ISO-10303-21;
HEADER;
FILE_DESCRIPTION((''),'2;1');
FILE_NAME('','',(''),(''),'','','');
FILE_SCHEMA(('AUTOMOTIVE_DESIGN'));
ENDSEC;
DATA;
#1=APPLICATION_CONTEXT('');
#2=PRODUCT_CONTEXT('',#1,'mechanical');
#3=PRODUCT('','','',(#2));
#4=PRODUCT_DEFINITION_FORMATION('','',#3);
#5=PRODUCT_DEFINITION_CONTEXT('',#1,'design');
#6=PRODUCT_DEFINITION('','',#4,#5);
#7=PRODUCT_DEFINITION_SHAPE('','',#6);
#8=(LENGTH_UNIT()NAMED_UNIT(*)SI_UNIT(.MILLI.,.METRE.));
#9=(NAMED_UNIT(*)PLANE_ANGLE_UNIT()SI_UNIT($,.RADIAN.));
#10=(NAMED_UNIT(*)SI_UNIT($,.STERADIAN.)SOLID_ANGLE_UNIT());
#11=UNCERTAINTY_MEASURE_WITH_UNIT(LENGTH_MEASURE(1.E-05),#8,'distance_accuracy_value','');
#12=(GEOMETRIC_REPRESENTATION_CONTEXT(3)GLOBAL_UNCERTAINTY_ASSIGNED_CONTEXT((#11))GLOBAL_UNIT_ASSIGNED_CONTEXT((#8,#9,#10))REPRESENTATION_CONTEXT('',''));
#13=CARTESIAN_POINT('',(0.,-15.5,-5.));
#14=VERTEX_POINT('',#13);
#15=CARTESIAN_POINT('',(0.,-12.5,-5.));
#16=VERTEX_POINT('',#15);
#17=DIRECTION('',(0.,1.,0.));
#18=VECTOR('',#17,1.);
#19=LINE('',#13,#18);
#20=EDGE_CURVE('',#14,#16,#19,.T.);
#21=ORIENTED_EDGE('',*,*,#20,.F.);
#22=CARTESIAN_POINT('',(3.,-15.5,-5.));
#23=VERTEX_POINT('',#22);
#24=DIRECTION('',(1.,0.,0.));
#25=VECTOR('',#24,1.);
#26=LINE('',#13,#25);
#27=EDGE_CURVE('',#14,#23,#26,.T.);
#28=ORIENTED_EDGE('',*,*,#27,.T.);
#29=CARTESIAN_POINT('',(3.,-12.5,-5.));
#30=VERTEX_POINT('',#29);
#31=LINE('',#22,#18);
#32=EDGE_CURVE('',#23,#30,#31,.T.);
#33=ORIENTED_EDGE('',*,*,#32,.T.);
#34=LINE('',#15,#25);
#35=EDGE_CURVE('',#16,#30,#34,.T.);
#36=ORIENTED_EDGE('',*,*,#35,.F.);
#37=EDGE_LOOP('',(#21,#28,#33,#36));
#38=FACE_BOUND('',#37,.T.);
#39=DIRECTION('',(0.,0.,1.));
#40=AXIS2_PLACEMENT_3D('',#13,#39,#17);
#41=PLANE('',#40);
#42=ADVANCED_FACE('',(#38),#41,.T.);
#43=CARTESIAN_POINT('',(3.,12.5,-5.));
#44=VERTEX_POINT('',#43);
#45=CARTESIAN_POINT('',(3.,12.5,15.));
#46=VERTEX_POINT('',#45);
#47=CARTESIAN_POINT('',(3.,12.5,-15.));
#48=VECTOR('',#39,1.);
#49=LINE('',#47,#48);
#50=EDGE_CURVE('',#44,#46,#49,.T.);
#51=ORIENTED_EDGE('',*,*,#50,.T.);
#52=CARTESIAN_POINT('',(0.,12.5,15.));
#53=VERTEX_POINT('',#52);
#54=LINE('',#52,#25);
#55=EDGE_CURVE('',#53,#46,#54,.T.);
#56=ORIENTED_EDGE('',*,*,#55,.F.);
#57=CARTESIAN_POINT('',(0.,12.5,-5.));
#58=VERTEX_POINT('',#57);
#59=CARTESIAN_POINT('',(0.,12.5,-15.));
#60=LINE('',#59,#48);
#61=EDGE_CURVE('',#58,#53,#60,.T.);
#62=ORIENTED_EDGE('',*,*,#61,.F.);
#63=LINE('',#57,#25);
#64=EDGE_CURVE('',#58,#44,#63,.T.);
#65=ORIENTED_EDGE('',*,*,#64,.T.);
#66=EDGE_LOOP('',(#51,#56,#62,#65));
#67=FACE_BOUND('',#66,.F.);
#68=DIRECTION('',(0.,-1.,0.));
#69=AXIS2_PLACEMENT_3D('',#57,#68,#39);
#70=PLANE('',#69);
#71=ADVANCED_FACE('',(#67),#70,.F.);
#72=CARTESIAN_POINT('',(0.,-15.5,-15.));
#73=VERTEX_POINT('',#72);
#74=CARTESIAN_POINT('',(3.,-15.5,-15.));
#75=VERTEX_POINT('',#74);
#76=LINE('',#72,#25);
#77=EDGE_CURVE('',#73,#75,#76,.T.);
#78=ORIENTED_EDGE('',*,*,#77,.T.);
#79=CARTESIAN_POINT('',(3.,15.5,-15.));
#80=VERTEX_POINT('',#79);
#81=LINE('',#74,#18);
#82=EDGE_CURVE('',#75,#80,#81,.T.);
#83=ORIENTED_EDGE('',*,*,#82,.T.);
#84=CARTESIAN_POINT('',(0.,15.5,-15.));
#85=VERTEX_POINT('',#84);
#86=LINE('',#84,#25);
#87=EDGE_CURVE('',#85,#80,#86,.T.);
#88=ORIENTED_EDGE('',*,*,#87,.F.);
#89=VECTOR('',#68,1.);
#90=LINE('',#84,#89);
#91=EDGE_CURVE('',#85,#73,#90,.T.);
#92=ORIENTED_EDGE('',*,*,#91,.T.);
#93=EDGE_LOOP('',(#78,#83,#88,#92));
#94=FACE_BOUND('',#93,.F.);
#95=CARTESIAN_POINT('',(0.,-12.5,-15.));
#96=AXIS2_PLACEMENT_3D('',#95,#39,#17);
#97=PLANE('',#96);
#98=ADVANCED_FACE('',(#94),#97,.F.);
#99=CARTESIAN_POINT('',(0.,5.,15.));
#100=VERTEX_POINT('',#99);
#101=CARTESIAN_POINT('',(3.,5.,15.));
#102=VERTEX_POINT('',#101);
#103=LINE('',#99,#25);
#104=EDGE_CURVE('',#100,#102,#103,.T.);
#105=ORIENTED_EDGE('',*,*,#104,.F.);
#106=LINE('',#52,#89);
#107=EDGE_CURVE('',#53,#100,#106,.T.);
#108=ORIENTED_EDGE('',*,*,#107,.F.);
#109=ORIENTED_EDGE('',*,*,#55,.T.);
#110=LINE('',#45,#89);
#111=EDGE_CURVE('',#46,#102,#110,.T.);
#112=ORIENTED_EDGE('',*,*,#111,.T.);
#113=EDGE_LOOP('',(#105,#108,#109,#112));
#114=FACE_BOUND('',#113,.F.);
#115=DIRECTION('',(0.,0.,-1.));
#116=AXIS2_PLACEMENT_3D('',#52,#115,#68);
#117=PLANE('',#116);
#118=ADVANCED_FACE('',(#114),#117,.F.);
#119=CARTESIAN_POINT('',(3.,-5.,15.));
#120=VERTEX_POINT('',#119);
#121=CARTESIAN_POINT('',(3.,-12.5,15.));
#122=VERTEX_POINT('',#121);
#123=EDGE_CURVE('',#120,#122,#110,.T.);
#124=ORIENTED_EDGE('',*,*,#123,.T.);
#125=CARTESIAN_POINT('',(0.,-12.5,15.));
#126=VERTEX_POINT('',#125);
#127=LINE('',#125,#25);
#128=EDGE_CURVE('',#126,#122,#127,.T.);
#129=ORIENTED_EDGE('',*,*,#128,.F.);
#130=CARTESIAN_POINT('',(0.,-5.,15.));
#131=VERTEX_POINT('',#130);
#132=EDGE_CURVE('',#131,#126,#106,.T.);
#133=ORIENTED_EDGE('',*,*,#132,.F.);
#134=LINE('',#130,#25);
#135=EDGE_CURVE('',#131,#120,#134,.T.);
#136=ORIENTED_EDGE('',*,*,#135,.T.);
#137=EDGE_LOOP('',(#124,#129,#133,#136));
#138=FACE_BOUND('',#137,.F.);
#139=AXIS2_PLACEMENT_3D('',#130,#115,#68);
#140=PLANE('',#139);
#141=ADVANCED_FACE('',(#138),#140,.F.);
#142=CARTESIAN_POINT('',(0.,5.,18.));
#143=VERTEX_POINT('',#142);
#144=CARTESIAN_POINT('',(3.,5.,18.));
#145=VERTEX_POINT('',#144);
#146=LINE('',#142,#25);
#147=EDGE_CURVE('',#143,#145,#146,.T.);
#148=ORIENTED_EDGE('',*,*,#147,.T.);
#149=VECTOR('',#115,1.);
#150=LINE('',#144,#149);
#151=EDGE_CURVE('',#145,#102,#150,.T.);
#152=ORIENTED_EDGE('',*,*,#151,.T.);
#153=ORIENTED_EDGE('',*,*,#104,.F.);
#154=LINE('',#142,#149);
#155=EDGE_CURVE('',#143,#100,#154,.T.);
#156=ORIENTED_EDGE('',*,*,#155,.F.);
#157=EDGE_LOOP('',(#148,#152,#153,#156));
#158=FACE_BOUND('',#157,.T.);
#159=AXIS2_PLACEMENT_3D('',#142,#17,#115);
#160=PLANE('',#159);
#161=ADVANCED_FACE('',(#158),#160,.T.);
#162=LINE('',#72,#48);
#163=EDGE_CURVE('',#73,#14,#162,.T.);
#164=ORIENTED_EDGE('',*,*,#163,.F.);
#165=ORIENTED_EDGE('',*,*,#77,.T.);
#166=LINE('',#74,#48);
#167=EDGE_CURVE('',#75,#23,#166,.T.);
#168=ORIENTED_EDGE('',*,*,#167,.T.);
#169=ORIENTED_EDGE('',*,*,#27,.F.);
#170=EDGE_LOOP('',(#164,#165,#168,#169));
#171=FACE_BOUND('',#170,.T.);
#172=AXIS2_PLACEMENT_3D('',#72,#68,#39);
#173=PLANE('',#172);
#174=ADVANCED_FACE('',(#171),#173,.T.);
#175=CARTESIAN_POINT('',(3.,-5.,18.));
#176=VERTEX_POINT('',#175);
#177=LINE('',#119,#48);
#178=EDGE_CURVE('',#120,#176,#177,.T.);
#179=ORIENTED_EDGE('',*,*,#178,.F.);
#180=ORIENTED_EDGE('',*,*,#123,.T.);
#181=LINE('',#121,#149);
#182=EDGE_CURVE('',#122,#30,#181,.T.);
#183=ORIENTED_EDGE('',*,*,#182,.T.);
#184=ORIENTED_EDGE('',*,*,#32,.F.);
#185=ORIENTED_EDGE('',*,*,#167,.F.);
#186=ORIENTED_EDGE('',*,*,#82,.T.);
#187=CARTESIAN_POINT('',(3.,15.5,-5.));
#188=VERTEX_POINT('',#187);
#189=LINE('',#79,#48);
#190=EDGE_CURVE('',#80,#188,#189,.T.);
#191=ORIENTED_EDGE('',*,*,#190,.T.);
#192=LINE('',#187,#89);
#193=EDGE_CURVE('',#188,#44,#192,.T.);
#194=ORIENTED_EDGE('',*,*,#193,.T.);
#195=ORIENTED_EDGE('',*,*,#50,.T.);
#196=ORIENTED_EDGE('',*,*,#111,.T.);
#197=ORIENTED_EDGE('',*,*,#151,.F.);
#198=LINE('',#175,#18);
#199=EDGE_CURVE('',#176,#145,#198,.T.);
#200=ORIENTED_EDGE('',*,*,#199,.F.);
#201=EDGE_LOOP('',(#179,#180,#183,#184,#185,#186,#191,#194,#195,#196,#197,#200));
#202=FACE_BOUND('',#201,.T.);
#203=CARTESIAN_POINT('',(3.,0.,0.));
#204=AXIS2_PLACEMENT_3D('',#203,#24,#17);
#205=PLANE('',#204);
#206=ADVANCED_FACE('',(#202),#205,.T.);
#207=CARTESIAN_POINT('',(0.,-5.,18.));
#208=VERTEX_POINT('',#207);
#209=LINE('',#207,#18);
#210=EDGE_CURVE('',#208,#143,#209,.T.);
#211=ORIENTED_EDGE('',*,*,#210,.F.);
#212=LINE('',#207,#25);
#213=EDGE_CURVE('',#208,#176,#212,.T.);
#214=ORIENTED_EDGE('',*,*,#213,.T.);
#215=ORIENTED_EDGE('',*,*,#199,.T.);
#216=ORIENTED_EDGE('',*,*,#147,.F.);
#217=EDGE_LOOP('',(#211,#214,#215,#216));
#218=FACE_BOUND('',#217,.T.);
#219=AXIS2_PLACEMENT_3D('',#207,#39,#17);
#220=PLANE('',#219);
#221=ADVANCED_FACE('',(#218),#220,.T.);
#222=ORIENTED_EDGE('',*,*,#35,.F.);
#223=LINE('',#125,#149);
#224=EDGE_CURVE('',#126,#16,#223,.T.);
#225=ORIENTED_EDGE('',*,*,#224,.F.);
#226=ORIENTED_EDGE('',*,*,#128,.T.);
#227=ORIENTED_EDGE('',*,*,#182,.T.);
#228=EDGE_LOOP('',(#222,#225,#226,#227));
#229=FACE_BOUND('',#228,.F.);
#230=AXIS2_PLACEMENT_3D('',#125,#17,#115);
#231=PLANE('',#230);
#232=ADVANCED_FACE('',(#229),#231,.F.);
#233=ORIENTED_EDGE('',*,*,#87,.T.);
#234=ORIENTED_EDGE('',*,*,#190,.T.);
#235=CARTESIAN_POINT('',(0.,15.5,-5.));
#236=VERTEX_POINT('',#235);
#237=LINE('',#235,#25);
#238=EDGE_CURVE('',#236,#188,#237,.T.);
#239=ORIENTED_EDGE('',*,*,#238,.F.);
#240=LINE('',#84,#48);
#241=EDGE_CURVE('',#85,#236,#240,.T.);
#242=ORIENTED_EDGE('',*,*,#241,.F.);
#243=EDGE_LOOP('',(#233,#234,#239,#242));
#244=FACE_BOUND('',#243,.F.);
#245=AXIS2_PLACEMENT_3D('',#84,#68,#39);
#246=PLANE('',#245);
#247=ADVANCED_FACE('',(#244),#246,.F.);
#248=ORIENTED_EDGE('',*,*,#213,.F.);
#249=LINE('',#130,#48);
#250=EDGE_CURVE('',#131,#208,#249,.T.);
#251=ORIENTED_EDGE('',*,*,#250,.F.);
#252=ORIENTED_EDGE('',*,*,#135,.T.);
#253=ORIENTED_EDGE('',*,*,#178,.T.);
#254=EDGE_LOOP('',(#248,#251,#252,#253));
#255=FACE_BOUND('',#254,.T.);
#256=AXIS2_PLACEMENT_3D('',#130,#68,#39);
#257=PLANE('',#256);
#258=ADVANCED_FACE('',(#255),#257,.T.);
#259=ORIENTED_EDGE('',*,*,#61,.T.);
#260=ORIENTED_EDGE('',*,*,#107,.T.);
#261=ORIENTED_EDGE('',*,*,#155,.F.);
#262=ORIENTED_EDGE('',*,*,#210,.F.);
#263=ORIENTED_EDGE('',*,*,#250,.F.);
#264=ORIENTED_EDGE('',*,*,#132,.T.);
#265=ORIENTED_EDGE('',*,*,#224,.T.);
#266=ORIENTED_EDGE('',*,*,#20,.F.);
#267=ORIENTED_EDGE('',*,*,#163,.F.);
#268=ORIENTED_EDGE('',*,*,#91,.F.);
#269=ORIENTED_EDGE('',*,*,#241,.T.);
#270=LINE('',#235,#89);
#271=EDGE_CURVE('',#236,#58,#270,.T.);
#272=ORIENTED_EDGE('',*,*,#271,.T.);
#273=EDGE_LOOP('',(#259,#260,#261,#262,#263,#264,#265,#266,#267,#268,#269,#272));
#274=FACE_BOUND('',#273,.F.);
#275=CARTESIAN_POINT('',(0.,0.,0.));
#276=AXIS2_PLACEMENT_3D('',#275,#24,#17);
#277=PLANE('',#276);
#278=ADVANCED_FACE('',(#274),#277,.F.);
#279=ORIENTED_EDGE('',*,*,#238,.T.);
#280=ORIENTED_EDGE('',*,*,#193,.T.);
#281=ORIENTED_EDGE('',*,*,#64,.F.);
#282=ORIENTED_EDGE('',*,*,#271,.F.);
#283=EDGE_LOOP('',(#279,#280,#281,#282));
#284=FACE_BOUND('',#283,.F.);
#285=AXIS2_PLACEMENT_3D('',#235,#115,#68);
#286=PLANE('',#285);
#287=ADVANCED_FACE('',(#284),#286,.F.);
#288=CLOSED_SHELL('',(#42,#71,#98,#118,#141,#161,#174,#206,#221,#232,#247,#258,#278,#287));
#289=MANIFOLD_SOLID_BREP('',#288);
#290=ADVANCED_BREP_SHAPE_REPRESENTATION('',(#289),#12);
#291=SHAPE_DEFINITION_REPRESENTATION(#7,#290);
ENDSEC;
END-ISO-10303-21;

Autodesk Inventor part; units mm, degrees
ref_plane "YZ Plane" through (0, 0, 0) normal (1, 0, 0) x (0, 1, 0)
ref_plane "XZ Plane" through (0, 0, 0) normal (0, 1, 0) x (-1, 0, 0)
ref_plane "XY Plane" through (0, 0, 0) normal (0, 0, 1) x (1, 0, 0)
sketch "Sketch1" plane through (0, 0, 0) normal (1, 0, 0) x (0, 1, 0)
  line L0 (-12.5, -15) -> (12.5, -15)
  line L1 (12.5, -15) -> (12.5, 15)
  line L2 (12.5, 15) -> (-12.5, 15)
  line L3 (-12.5, 15) -> (-12.5, -15)
  line L4 (-12.5, -15) -> (12.5, 15) construction
  line L5 (12.5, -15) -> (-12.5, 15) construction
  line L6 (5, 15) -> (-5, 15)
  line L7 (-5, 15) -> (-5, 18)
  line L8 (-5, 18) -> (5, 18)
  line L9 (5, 18) -> (5, 15)
  line L10 (-12.5, -15) -> (-15.5, -15)
  line L11 (-15.5, -15) -> (-15.5, -5)
  line L12 (-15.5, -5) -> (-12.5, -5)
  line L13 (-12.5, -5) -> (-12.5, -15)
  line L14 (12.5, -15) -> (15.5, -15)
  line L15 (15.5, -15) -> (15.5, -5)
  line L16 (15.5, -5) -> (12.5, -5)
  line L17 (12.5, -5) -> (12.5, -15)
  point P0 (0, 0)
  point P1 (0, 18)
  point P2 (0, 0)
  dimension "d0" = 25
  dimension "d1" = 10
  dimension "d2" = 3
  dimension "d3" = 3
  dimension "d4" = 10
  dimension "d5" = 20
  dimension "d8" = 3
extrude "Extrusion1" add sketch "Sketch1" along normal blind 3
properties part number "Motor side"
